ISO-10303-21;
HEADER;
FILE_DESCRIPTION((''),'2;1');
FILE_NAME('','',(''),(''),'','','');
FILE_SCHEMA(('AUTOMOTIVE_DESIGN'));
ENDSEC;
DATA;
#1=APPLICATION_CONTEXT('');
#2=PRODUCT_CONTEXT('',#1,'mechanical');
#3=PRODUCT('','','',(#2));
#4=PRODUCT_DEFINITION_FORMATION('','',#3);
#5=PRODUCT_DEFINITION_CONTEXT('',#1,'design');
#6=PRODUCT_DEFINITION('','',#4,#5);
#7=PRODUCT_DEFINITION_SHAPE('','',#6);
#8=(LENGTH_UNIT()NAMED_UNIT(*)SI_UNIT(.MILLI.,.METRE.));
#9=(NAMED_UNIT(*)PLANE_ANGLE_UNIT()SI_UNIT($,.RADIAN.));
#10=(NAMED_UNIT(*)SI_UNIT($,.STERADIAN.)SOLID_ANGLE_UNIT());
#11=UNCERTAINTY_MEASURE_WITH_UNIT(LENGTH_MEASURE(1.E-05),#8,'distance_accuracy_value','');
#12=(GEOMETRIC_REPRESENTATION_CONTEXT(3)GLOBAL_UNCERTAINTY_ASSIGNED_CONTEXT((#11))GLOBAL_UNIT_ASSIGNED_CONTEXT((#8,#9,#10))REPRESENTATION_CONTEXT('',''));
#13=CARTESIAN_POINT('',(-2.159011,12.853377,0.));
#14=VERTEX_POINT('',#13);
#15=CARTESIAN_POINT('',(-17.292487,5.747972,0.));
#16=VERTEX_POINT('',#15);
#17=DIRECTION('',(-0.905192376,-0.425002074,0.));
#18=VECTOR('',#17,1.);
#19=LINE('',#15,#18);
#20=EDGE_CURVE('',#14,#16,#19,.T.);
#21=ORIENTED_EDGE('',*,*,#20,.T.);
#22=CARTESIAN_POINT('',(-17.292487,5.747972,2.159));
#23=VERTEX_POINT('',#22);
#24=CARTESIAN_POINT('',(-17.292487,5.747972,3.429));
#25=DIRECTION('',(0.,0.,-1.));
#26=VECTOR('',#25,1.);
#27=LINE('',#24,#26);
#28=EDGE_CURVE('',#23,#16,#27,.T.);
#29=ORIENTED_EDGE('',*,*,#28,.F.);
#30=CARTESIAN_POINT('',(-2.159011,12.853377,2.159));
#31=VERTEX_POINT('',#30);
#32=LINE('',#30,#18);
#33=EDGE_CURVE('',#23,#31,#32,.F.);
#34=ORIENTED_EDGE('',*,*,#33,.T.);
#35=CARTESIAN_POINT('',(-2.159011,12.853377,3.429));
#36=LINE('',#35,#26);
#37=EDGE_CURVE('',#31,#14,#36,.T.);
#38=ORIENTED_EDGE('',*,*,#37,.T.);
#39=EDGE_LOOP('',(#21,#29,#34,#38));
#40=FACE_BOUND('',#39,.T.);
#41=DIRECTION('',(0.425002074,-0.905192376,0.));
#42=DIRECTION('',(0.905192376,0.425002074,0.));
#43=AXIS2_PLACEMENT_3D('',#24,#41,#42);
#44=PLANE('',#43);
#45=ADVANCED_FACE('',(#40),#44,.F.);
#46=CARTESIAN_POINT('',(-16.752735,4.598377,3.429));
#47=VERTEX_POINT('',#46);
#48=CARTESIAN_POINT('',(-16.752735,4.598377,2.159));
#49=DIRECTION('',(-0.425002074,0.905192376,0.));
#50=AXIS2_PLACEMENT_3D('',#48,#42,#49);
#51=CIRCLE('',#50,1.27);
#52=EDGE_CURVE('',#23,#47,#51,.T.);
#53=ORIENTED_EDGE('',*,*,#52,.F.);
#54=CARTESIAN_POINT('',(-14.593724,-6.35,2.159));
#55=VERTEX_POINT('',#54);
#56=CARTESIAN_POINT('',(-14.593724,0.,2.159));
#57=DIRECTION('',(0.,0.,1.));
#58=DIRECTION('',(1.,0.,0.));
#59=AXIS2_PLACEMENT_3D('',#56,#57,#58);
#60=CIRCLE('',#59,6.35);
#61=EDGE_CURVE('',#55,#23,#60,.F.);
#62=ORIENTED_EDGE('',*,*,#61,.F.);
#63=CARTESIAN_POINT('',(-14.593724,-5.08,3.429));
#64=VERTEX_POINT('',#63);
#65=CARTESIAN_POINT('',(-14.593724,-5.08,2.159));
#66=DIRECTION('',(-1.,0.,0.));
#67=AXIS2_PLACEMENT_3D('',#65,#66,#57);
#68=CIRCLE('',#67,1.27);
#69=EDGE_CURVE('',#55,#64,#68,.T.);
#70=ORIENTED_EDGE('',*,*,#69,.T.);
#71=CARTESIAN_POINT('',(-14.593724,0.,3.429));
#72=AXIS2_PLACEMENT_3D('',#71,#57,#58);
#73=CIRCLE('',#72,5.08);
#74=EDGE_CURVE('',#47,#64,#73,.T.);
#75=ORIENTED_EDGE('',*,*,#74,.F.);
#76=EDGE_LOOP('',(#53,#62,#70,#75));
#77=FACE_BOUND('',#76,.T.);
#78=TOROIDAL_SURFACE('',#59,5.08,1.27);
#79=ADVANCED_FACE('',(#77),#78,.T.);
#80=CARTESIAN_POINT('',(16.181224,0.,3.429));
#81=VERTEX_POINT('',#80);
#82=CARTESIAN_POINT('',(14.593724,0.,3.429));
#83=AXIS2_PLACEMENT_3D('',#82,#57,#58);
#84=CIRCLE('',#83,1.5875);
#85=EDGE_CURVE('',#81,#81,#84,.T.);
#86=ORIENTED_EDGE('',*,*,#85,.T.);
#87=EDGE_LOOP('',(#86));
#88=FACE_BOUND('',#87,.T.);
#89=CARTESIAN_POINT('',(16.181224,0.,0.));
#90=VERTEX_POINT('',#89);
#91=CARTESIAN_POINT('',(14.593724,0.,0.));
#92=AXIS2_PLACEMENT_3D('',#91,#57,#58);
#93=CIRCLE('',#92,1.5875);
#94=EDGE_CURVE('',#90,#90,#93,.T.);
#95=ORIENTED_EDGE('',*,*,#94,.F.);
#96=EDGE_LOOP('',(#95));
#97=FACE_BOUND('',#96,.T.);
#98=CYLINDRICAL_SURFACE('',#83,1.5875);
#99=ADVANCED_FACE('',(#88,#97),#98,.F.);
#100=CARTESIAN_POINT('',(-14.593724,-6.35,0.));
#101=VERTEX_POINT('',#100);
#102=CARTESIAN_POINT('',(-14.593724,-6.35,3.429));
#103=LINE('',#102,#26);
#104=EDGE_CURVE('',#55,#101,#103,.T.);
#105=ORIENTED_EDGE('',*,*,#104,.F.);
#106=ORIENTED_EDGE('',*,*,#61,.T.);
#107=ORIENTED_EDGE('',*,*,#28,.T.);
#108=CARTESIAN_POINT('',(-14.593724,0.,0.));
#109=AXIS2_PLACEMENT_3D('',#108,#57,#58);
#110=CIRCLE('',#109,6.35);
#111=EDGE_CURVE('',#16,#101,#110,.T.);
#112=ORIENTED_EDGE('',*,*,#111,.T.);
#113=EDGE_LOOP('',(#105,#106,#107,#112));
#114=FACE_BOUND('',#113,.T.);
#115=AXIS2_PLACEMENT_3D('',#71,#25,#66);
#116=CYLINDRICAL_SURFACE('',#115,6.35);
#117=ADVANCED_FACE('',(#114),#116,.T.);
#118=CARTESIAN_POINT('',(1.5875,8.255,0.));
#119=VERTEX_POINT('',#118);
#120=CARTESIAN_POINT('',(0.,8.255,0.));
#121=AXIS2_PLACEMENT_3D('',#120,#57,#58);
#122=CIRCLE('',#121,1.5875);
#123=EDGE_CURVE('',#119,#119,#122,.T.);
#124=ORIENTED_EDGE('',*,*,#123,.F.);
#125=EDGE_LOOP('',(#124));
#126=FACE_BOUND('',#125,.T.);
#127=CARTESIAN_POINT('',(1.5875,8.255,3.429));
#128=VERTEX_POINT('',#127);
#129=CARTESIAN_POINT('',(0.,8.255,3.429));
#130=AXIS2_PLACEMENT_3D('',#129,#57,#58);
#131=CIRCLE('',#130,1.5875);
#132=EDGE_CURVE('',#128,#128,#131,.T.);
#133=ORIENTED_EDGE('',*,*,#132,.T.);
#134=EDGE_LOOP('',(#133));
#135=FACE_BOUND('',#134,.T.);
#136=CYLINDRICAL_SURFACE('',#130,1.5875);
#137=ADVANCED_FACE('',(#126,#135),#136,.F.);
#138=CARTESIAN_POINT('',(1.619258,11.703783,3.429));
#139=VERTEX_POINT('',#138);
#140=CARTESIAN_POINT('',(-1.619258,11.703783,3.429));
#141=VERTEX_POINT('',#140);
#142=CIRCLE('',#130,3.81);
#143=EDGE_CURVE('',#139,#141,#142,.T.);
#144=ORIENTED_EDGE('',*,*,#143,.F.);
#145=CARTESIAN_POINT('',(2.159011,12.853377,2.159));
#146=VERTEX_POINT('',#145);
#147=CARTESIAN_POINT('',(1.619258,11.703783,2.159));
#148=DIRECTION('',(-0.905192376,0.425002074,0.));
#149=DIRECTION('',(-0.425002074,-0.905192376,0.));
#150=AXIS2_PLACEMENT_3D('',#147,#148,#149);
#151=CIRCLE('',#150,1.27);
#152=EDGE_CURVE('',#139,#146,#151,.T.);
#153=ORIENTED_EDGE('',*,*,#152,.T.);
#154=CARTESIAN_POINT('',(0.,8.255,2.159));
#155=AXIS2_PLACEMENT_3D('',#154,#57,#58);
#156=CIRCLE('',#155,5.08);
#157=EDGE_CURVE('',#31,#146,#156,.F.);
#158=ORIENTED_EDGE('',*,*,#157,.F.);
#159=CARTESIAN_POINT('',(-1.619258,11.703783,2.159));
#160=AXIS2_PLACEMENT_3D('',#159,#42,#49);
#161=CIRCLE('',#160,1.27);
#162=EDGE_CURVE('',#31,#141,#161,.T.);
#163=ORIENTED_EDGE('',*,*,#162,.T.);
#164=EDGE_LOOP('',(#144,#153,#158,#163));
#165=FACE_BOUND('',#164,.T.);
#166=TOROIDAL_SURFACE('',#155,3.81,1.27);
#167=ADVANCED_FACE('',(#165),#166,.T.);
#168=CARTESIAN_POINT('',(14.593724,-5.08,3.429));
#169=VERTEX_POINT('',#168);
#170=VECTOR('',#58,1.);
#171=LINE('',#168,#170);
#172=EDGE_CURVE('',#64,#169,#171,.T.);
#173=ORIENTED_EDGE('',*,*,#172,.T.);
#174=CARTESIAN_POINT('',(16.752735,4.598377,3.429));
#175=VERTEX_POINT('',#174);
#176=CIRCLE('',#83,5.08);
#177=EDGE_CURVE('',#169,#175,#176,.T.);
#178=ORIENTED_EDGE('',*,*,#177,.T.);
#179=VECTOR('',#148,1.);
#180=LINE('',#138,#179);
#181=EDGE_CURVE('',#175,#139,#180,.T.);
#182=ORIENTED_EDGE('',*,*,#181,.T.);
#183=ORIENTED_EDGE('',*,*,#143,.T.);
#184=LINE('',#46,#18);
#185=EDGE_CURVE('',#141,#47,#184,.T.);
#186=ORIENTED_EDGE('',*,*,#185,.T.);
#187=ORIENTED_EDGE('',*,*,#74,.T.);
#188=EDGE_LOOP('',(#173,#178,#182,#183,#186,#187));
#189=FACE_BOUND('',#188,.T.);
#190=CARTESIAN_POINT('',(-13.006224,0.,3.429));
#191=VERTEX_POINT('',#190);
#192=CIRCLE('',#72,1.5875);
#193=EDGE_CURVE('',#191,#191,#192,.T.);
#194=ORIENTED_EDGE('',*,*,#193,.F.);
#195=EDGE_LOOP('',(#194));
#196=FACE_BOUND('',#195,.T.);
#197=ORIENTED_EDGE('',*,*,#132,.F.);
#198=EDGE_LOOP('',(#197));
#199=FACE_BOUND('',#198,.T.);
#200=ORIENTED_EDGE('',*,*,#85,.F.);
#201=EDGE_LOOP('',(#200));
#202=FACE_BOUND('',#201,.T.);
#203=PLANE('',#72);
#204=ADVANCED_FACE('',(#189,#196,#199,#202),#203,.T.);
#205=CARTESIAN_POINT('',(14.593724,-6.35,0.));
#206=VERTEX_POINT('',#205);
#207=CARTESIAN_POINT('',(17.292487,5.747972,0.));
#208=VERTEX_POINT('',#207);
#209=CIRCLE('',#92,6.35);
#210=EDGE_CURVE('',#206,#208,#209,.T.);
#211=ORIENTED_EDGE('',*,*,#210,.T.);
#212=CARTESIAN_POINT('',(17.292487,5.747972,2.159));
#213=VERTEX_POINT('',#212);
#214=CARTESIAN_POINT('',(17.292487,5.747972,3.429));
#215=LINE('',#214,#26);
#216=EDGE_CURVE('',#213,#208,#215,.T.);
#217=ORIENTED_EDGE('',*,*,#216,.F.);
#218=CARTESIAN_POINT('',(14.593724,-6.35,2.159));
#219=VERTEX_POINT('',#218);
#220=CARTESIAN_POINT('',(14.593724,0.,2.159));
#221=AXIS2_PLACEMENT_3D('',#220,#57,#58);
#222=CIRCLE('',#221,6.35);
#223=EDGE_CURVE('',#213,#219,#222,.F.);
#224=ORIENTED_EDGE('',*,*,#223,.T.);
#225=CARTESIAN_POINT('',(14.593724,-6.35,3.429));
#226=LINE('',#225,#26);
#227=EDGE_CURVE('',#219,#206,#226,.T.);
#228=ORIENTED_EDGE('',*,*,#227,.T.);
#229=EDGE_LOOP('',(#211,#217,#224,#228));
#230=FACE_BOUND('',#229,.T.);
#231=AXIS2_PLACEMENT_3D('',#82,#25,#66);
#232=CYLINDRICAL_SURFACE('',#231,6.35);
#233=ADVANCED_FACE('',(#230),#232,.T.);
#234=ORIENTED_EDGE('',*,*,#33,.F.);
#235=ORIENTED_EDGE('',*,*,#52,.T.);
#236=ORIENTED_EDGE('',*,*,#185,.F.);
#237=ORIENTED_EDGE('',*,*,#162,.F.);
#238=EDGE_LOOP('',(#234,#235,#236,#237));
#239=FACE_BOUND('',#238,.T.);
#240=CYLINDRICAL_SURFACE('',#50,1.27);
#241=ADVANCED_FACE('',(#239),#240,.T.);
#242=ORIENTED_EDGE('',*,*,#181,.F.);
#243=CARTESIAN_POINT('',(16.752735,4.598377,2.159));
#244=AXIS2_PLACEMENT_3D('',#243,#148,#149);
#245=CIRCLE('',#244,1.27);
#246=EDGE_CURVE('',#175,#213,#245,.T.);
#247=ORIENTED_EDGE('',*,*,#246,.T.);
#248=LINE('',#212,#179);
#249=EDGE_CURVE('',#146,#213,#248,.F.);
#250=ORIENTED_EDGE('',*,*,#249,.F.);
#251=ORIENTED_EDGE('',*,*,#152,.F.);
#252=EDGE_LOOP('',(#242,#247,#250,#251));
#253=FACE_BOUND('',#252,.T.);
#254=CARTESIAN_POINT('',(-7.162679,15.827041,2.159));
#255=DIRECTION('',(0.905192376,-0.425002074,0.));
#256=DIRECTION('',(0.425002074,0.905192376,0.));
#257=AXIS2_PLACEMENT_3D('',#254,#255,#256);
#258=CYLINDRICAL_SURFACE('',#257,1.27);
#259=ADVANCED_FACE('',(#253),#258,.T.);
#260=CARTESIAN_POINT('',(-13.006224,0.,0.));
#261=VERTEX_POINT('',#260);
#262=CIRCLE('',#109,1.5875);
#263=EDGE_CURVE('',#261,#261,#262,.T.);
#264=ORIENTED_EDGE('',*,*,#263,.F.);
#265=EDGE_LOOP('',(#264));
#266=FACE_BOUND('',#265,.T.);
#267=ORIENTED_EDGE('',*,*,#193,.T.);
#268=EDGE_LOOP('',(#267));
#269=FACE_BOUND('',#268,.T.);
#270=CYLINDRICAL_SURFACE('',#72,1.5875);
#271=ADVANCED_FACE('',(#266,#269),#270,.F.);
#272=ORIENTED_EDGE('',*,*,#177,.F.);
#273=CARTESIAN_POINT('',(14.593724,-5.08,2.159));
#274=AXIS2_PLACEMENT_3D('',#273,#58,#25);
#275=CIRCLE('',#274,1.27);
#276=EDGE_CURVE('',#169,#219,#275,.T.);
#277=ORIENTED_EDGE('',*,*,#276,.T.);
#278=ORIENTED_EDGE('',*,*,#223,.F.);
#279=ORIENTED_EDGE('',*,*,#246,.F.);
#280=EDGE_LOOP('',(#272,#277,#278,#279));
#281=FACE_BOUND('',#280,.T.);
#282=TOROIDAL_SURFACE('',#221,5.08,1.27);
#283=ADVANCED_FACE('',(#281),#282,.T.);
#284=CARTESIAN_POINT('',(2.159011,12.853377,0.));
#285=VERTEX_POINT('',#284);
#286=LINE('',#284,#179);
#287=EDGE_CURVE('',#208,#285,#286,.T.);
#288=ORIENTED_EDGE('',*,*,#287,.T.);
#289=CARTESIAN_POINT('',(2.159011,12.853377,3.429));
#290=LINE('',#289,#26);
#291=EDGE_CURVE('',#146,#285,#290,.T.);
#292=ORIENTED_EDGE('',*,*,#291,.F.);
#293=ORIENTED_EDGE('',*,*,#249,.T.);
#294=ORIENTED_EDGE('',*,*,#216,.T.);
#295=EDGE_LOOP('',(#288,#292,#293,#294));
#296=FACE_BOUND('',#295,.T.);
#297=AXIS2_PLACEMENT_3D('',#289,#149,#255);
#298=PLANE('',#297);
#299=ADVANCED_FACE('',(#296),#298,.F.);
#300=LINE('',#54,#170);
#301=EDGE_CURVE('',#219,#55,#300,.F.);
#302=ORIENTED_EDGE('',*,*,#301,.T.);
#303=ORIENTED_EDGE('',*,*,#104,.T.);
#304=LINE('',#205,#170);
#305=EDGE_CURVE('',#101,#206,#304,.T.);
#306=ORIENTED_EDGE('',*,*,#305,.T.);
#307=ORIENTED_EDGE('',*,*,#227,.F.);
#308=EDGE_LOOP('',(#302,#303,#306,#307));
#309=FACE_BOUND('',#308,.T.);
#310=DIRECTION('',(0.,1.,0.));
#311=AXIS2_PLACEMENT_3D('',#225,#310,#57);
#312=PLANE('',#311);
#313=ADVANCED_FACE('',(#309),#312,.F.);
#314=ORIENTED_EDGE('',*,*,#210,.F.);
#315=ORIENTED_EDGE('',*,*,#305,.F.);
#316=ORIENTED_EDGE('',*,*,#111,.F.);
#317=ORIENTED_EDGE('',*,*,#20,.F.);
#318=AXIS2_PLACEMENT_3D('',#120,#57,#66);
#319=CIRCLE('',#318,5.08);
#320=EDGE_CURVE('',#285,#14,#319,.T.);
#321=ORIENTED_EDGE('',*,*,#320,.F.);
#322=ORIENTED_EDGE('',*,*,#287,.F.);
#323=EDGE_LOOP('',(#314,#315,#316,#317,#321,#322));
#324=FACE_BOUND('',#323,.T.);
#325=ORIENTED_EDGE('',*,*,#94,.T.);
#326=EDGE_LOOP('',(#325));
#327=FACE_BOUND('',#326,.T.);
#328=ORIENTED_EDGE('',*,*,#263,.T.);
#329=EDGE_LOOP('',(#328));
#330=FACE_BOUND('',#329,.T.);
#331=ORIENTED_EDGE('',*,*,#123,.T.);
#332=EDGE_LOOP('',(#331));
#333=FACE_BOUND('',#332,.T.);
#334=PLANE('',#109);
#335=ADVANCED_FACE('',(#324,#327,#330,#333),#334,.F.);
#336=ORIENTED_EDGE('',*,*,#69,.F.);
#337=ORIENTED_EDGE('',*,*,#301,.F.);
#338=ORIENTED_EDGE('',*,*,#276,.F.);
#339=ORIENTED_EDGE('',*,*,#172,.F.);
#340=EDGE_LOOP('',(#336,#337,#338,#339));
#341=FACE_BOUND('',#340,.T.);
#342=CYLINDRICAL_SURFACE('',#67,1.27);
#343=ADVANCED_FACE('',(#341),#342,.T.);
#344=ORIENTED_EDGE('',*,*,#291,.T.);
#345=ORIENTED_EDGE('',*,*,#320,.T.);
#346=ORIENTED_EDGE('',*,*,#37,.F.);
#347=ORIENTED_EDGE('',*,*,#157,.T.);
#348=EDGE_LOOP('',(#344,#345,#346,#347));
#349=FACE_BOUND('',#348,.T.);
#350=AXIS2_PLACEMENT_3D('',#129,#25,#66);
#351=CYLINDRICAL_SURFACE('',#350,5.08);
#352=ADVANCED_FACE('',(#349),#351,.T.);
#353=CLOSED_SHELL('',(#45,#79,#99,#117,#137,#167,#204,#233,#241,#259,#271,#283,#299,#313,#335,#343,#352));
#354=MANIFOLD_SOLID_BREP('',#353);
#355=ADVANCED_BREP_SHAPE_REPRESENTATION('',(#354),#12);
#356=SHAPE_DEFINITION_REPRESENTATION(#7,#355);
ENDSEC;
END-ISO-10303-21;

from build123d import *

# Parameters (mm, degrees)
BOSS_EXTRUDE1_DEPTH        = 3.429
FILLET1_R                  = 1.27
F_1_8_0_1250_DOWEL_HOLE1_D = 3.175


with BuildPart() as part:
    # Sketch2 → Boss-Extrude1 (new body)
    with BuildSketch(Plane.XY):
        with BuildLine():
            Line((-17.292487403, 5.747971587), (-2.159010534, 12.853377269))
            ThreePointArc((-2.159010534, 12.853377269), (0, 13.335), (2.159010534, 12.853377269))
            Line((2.159010534, 12.853377269), (17.292487403, 5.747971587))
            ThreePointArc((17.292487403, 5.747971587), (20.791389907, -1.382548448), (14.593724234, -6.35))
            Line((14.593724234, -6.35), (-14.593724234, -6.35))
            ThreePointArc((-14.593724234, -6.35), (-20.791389907, -1.382548448), (-17.292487403, 5.747971587))
        make_face()
    extrude(amount=BOSS_EXTRUDE1_DEPTH)

    # Fillet1
    fillet1_edges = [part.edges().sort_by_distance(p)[0] for p in [
        (20.791389907, -1.382548448, 3.429),
        (9.725748968, 9.300674428, 3.429),
        (0, 13.335, 3.429),
        (-9.725748968, 9.300674428, 3.429),
        (-20.791389907, -1.382548448, 3.429),
        (0, -6.35, 3.429),
    ]]
    fillet(fillet1_edges, radius=FILLET1_R)

    # 1/8 (0.1250) Dowel Hole1 (through all)
    with Locations(Plane.XY.offset(3.429)):
        with Locations((0, 8.255), (-14.593724234, 0), (14.593724234, 0)):
            Hole(F_1_8_0_1250_DOWEL_HOLE1_D / 2)


solid = part.part
